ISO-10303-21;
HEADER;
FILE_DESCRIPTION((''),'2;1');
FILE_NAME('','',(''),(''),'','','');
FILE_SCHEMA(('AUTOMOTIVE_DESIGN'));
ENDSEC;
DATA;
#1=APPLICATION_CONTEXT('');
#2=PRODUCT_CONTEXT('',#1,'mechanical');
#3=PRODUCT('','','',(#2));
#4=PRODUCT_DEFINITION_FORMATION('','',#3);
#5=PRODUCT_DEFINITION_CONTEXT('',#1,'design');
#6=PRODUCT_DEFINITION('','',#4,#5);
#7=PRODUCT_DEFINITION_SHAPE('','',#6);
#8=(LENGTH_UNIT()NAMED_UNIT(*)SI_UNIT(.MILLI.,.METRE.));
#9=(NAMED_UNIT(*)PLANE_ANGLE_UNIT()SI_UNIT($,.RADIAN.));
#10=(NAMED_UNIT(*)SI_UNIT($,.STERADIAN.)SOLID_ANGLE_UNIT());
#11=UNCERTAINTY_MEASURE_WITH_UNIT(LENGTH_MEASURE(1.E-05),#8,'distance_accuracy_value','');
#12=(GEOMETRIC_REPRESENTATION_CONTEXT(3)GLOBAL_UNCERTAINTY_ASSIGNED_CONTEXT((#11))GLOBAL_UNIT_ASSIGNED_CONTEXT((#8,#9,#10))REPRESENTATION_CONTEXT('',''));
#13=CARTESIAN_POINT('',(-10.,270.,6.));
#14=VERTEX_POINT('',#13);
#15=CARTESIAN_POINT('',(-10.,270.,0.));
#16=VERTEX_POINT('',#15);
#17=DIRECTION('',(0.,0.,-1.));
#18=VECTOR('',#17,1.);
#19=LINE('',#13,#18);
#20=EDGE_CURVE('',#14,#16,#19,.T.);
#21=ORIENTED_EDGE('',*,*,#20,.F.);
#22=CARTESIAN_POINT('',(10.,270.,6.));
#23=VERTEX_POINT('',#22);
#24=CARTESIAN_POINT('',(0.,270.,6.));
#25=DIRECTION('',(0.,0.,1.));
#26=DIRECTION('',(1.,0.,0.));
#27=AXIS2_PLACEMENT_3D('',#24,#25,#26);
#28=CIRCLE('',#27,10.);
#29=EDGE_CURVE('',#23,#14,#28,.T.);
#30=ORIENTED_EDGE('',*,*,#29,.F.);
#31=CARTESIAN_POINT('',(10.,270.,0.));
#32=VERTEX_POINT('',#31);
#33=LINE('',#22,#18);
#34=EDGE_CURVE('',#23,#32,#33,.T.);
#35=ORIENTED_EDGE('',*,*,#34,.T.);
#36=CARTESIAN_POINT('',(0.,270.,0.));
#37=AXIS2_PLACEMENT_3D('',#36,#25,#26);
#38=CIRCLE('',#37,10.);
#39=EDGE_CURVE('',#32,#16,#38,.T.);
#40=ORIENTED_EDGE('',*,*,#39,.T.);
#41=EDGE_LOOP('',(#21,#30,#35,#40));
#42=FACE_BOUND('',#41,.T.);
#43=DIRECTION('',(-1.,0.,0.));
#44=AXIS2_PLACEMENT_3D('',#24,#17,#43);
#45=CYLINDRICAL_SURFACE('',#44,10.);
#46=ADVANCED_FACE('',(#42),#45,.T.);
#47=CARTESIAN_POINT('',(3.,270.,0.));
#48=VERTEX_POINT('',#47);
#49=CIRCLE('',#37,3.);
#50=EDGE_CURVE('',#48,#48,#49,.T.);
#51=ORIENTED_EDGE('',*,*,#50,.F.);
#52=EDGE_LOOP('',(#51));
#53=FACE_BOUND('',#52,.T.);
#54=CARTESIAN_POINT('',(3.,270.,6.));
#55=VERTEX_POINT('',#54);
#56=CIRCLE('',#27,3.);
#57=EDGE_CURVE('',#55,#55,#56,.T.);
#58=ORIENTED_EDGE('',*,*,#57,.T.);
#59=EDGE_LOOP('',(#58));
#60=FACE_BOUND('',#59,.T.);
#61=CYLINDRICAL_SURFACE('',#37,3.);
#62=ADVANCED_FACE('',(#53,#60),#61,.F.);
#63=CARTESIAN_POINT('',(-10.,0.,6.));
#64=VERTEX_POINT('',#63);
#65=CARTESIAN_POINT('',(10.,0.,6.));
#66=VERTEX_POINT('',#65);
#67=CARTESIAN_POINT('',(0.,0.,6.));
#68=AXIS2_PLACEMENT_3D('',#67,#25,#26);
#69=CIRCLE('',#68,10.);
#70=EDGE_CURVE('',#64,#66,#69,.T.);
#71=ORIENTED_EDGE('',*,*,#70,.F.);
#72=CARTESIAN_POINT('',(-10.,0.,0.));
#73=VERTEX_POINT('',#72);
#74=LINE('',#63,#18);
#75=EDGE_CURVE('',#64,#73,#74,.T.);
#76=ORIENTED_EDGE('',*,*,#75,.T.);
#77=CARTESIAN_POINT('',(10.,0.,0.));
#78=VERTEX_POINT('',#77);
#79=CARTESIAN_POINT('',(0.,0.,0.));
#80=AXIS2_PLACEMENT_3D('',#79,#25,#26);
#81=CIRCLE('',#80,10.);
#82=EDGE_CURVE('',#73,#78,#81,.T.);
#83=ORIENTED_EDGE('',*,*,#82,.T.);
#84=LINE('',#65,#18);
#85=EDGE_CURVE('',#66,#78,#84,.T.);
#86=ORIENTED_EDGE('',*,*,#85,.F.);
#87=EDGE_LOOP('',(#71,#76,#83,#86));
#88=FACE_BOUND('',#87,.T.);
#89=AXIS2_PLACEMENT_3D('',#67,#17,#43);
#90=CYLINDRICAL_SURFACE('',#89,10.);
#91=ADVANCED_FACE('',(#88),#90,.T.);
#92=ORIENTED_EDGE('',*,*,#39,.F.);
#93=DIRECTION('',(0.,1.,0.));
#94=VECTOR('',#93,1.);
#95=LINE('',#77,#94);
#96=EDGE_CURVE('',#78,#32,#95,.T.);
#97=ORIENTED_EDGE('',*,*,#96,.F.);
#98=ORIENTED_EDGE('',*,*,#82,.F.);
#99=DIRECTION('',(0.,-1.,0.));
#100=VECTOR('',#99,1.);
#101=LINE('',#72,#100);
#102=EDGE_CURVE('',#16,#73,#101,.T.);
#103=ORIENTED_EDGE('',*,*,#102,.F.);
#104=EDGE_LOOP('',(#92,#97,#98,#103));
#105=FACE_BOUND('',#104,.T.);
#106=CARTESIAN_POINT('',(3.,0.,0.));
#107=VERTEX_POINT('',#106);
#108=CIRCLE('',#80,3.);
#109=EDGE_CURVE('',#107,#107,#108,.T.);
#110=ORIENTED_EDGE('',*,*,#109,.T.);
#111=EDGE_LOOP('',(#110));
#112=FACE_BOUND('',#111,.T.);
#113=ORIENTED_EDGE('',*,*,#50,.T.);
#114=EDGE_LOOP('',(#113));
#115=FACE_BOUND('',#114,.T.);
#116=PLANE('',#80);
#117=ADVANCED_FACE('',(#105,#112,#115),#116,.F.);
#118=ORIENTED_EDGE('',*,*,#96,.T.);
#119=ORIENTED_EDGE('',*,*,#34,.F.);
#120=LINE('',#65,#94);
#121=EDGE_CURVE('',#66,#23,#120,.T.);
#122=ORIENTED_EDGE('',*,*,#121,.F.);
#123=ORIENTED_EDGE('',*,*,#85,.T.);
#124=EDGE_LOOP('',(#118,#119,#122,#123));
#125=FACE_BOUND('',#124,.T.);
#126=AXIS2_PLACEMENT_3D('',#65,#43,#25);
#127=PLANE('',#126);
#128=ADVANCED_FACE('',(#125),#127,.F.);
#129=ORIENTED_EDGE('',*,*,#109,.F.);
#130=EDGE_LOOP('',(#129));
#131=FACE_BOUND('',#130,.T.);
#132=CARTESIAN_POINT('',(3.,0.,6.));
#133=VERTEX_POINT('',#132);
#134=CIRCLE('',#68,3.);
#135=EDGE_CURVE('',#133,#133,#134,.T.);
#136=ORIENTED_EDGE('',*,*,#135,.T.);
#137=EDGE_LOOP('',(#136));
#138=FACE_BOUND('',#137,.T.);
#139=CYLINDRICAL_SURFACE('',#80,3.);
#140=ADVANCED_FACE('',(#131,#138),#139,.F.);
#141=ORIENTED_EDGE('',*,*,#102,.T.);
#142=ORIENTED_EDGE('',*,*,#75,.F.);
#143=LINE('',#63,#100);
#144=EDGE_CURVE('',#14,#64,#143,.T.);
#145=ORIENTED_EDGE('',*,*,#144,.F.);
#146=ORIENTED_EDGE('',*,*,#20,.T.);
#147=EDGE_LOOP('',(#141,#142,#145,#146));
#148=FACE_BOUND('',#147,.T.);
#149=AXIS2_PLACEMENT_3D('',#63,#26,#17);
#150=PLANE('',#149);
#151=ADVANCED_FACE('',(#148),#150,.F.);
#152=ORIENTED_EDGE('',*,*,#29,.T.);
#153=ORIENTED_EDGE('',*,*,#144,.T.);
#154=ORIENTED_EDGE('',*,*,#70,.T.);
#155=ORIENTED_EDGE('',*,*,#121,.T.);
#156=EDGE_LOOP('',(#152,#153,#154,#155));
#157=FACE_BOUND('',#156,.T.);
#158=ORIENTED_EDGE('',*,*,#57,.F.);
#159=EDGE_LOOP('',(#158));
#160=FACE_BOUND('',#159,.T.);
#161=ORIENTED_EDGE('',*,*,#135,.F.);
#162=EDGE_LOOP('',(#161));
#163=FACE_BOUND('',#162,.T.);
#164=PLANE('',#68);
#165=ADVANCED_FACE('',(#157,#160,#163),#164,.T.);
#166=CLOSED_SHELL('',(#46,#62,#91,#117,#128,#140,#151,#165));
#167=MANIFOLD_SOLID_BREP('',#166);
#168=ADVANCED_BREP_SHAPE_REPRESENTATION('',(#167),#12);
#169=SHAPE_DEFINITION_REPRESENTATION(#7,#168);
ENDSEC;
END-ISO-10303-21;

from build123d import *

# Parameters (mm, degrees)
BOSS_EXTRUDE1_DEPTH = 6
SKETCH2_R           = 3
CUT_EXTRUDE1_DEPTH  = 281.242751913


with BuildPart() as part:
    # Sketch1 → Boss-Extrude1 (new body)
    with BuildSketch(Plane.XY):
        with BuildLine():
            Line((-10, 0), (-10, 270))
            ThreePointArc((-10, 270), (0, 280), (10, 270))
            Line((10, 270), (10, 0))
            ThreePointArc((10, 0), (0, -10), (-10, 0))
        make_face()
    extrude(amount=BOSS_EXTRUDE1_DEPTH)

    # Sketch2 → Cut-Extrude1 (cut, through all)
    with BuildSketch(Plane.XY.offset(6)):
        with Locations((0, 270)):
            Circle(SKETCH2_R)
        Circle(SKETCH2_R)
    extrude(amount=-CUT_EXTRUDE1_DEPTH, mode=Mode.SUBTRACT)


solid = part.part
